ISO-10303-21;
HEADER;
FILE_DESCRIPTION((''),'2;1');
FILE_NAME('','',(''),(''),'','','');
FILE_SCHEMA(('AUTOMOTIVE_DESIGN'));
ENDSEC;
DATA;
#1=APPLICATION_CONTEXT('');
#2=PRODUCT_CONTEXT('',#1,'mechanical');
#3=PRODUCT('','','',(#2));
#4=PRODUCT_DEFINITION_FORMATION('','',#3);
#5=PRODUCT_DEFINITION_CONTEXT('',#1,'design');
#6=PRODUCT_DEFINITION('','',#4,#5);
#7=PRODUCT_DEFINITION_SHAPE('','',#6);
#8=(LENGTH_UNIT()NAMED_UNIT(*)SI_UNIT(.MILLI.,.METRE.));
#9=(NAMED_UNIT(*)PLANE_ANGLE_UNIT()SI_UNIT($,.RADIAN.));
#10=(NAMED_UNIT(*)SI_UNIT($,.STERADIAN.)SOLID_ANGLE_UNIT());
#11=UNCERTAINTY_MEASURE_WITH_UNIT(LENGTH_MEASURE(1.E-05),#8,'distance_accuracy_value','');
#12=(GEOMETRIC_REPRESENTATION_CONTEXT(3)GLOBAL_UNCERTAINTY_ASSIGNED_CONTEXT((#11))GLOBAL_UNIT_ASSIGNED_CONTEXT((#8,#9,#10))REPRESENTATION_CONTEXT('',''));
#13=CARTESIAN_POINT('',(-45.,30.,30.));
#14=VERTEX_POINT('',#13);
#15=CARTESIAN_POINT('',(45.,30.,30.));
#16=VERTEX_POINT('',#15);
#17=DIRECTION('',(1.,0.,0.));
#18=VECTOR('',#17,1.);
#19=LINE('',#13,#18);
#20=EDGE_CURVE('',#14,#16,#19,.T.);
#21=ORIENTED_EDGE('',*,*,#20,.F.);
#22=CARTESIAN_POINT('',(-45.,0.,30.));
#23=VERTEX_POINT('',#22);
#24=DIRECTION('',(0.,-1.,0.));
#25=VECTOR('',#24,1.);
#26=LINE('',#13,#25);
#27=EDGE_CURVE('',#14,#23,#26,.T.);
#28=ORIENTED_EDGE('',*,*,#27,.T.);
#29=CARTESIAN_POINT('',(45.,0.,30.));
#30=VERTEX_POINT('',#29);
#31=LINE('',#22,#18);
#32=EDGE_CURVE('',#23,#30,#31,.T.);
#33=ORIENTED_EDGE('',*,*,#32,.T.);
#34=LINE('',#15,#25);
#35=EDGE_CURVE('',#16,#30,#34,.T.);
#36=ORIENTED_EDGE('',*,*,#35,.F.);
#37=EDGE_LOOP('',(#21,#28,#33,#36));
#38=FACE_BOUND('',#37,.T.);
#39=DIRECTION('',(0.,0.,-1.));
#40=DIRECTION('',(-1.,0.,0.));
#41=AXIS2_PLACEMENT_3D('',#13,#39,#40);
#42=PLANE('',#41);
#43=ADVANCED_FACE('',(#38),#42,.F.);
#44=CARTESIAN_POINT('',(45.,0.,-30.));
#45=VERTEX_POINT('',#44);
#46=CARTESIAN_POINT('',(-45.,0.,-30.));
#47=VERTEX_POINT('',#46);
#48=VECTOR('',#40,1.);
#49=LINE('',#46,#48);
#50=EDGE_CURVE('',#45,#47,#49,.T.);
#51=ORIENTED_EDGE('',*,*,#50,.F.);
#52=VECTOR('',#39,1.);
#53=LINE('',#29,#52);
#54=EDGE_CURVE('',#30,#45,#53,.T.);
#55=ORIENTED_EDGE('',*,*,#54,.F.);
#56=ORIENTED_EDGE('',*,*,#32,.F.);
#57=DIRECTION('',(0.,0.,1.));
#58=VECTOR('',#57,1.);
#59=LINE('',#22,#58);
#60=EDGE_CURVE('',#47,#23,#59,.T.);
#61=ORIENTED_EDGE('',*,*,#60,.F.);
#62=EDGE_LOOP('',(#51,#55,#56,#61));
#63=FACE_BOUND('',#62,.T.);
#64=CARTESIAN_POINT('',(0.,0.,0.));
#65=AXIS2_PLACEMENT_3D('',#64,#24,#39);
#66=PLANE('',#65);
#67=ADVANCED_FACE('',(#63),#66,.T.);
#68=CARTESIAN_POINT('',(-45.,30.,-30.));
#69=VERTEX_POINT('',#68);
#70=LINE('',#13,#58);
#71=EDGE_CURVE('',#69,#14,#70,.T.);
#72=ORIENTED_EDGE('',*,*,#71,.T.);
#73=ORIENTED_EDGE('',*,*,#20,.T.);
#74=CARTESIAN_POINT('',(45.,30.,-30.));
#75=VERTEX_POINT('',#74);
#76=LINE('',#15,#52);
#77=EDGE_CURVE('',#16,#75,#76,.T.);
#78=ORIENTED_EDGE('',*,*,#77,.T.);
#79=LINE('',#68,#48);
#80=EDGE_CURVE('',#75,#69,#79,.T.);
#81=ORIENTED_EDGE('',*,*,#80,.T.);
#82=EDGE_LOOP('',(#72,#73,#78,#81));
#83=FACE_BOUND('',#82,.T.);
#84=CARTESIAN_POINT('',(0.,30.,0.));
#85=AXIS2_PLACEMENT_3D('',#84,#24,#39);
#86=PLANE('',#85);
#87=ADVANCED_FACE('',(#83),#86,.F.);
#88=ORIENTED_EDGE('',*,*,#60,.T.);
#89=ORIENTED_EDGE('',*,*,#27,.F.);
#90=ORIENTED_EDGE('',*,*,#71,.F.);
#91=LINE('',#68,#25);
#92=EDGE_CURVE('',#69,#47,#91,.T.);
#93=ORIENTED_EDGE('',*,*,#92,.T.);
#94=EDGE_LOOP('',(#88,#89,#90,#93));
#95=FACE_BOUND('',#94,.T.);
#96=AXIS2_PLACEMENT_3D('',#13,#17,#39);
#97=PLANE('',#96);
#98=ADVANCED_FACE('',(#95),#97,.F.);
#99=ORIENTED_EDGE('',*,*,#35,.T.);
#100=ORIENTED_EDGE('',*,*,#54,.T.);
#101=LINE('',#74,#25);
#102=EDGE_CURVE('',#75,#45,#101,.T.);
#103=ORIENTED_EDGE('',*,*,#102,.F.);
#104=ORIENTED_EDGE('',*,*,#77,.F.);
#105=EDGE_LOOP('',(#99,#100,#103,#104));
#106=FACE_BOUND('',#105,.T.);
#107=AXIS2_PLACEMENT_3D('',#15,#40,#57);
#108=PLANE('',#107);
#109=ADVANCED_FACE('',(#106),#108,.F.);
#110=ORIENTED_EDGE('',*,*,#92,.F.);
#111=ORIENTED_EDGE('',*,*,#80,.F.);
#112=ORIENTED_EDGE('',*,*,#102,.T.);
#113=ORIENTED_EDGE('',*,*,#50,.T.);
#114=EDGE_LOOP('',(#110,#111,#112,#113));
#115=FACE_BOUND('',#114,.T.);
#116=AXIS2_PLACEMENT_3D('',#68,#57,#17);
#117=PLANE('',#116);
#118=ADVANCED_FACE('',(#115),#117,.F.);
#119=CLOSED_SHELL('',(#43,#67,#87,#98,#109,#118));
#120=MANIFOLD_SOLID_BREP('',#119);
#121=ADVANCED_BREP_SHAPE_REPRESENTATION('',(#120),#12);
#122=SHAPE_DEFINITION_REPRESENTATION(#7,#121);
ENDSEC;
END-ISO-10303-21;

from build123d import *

# Parameters (mm, degrees)
ESQUISSE1_W        = 90
ESQUISSE1_H        = 60
BOSS_EXTRU_1_DEPTH = 30


with BuildPart() as part:
    # Esquisse1 → Boss.-Extru.1 (new body)
    with BuildSketch(Plane(origin=(0, 0, 0), x_dir=(1, 0, 0), z_dir=(0, 1, 0))):
        Rectangle(ESQUISSE1_W, ESQUISSE1_H)
    extrude(amount=BOSS_EXTRU_1_DEPTH)


solid = part.part
